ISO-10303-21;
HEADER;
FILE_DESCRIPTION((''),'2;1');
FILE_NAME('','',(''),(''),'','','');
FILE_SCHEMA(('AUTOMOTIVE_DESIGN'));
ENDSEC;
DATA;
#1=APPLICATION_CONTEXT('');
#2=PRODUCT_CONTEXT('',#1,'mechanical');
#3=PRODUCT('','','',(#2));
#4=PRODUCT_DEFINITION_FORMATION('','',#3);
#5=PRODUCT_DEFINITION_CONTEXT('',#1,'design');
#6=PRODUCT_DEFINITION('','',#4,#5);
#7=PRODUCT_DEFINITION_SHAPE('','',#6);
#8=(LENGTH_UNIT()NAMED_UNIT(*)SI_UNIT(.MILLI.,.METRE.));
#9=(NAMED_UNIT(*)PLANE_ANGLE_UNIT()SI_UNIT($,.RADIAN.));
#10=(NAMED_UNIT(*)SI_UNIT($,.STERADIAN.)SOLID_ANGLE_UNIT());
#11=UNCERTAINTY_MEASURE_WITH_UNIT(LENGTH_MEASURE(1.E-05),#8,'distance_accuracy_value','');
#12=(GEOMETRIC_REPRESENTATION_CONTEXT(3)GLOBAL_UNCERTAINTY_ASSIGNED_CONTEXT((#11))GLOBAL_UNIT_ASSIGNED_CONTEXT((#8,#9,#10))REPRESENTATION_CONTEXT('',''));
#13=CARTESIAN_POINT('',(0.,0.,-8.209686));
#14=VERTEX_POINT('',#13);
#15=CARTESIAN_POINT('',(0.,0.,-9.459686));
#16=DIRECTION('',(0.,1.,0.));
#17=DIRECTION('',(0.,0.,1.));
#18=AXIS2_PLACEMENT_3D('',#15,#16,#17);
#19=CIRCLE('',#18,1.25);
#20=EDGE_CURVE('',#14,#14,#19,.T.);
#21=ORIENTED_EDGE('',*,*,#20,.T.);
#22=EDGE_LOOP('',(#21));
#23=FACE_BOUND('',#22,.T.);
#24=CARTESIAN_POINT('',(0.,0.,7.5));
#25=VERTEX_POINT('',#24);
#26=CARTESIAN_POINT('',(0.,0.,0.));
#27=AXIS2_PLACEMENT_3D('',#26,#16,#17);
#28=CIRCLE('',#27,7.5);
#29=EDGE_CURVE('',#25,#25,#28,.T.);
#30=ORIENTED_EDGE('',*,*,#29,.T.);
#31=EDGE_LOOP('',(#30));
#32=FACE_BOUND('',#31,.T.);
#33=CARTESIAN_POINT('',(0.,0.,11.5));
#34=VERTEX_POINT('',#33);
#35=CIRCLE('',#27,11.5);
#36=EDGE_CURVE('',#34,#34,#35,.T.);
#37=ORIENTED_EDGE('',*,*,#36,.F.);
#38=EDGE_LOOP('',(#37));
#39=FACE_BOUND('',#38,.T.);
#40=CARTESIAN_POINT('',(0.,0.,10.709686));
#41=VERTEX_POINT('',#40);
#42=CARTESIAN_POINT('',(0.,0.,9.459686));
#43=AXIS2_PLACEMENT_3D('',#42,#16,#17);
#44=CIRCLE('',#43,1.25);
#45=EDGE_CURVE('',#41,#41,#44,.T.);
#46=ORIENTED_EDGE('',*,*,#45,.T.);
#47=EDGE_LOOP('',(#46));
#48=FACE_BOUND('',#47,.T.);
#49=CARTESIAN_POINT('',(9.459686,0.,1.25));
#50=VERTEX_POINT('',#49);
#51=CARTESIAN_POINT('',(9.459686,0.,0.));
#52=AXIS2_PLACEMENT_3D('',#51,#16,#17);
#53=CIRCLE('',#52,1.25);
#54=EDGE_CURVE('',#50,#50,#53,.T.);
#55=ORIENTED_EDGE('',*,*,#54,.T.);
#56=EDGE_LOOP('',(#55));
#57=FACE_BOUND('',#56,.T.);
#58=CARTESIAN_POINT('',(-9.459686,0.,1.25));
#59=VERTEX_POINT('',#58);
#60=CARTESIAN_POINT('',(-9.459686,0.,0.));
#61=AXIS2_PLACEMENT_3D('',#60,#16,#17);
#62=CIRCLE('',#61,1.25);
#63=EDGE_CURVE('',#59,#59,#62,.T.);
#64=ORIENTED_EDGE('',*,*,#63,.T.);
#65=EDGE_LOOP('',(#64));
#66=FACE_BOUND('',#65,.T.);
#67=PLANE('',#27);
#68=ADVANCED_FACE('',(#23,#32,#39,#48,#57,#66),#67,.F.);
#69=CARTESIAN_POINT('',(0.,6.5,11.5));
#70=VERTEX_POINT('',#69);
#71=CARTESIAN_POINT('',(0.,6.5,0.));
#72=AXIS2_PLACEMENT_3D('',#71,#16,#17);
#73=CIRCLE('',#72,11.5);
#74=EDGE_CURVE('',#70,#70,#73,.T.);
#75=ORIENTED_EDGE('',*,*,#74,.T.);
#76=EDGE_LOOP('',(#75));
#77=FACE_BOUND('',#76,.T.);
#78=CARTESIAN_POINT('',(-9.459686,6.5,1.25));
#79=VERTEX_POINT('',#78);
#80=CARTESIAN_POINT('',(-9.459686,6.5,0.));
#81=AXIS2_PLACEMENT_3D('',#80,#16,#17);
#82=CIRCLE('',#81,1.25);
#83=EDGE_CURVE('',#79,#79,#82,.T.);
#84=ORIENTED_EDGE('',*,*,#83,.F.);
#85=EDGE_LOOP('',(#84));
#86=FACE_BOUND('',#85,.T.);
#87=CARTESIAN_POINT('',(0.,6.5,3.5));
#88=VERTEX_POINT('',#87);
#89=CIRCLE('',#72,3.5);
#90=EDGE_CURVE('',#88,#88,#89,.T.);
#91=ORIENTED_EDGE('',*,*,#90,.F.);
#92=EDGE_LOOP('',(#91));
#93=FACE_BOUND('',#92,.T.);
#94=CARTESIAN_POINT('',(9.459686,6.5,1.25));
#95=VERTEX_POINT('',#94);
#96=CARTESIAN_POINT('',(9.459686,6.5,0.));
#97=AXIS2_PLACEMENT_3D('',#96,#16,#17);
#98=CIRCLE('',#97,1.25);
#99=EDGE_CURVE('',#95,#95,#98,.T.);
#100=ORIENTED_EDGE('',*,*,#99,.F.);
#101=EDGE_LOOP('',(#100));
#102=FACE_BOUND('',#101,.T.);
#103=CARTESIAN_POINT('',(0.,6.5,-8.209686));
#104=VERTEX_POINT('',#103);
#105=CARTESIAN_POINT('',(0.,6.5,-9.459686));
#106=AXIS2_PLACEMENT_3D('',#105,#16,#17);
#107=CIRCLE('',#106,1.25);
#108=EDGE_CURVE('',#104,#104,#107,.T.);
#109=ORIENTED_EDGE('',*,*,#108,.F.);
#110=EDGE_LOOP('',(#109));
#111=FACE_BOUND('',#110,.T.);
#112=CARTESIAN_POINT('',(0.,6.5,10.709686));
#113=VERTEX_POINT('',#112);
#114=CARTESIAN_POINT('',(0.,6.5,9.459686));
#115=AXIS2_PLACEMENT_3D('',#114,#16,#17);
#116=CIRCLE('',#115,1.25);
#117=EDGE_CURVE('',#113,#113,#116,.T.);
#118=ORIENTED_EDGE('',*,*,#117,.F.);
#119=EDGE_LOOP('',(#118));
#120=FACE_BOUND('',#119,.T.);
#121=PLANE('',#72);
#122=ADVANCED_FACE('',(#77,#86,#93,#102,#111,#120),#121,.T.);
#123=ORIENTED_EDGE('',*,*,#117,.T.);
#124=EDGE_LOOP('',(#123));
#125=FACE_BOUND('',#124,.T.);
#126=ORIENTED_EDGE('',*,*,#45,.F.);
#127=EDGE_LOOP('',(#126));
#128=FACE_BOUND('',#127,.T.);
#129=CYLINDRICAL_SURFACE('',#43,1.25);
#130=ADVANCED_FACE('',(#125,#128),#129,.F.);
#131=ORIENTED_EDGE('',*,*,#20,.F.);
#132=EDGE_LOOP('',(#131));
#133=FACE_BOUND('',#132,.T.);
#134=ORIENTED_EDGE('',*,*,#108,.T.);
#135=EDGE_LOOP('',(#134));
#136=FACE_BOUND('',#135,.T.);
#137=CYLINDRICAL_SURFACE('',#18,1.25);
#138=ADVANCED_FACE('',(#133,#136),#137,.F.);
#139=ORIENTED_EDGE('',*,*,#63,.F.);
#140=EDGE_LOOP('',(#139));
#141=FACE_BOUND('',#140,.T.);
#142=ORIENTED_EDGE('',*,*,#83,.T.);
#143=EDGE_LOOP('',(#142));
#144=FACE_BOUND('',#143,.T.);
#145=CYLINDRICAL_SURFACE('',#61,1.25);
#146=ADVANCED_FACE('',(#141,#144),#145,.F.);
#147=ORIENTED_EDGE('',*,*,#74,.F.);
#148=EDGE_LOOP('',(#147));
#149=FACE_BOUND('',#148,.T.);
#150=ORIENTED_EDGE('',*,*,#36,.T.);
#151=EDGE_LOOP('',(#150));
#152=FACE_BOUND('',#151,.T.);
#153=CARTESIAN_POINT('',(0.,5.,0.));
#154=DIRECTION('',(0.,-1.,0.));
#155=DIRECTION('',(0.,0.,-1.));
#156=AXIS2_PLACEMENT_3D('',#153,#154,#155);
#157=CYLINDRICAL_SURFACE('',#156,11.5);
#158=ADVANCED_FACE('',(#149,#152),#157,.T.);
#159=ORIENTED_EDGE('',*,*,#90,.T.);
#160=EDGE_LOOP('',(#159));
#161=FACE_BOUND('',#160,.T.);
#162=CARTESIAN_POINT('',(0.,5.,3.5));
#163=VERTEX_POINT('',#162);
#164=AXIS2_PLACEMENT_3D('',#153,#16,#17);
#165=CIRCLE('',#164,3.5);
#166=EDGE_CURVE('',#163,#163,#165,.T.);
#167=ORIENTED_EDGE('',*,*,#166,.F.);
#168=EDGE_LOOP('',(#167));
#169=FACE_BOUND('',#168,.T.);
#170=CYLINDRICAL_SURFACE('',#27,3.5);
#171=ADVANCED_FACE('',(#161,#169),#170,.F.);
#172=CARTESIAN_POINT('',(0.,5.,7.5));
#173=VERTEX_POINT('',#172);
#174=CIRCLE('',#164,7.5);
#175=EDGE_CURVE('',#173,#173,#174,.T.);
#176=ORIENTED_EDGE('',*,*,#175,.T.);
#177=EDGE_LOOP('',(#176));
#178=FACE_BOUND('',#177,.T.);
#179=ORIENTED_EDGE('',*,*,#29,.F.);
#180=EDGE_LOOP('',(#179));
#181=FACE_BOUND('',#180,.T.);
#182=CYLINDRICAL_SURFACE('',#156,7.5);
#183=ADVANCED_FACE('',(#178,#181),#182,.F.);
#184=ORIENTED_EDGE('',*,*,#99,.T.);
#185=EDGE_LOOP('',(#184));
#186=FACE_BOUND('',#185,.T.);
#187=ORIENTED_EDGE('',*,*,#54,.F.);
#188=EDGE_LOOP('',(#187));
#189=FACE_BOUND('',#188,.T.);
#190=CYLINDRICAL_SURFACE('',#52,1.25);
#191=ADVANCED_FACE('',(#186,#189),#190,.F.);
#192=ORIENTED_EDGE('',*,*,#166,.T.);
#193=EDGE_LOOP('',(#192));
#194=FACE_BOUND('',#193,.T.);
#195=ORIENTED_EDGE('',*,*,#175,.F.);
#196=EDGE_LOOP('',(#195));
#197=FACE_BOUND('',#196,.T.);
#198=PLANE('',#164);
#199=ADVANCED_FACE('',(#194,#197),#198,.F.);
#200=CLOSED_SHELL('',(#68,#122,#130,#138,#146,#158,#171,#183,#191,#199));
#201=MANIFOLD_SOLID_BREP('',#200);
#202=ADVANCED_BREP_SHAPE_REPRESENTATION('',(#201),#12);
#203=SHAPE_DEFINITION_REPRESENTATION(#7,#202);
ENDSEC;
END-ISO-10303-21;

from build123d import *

# Parameters (mm, degrees)
SKETCH_1_R          = 11.5
SKETCH_1_R_2        = 7.5
EXTRUDE_1_DEPTH     = 5
SKETCH_2_R          = 11.5
EXTRUDE_3_DEPTH     = 1.5
SKETCH_3_R          = 1.25
CUT_EXTRUDE_4_DEPTH = 18.514279888
SKETCH_4_R          = 3.5
CUT_EXTRUDE_5_DEPTH = 18.514279888


with BuildPart() as part:
    # Эскиз1 → Вытянуть1 (new body)
    with BuildSketch(Plane(origin=(0, 0, 0), x_dir=(1, 0, 0), z_dir=(0, 1, 0))):
        with Locations(Location((0, 0, 0), (0, 0, 270))):
            Circle(SKETCH_1_R)
        with Locations(Location((0, 0, 0), (0, 0, 270))):
            Circle(SKETCH_1_R_2, mode=Mode.SUBTRACT)
    extrude(amount=EXTRUDE_1_DEPTH)

    # Эскиз2 → Вытянуть3 (add)
    with BuildSketch(Plane(origin=(0, 5, 0), x_dir=(1, 0, 0), z_dir=(0, 1, 0))):
        with Locations(Location((0, 0, 0), (0, 0, 270))):
            Circle(SKETCH_2_R)
    extrude(amount=EXTRUDE_3_DEPTH)

    # Эскиз3 → Вытянуть4 (cut, through all)
    with BuildSketch(Plane(origin=(0, 6.5, 0), x_dir=(-1, 0, 0), z_dir=(0, 1, 0))):
        with Locations(Location((0, -9.45968553, 0), (0, 0, 90))):
            Circle(SKETCH_3_R)
        with Locations(Location((-9.45968553, 0, 0), (0, 0, 90))):
            Circle(SKETCH_3_R)
        with Locations(Location((0, 9.45968553, 0), (0, 0, 90))):
            Circle(SKETCH_3_R)
        with Locations(Location((9.45968553, 0, 0), (0, 0, 90))):
            Circle(SKETCH_3_R)
    extrude(amount=-CUT_EXTRUDE_4_DEPTH, mode=Mode.SUBTRACT)

    # Эскиз4 → Вытянуть5 (cut, through all)
    with BuildSketch(Plane(origin=(0, 6.5, 0), x_dir=(-1, 0, 0), z_dir=(0, 1, 0))):
        with Locations(Location((0, 0, 0), (0, 0, 90))):
            Circle(SKETCH_4_R)
    extrude(amount=-CUT_EXTRUDE_5_DEPTH, mode=Mode.SUBTRACT)


solid = part.part
